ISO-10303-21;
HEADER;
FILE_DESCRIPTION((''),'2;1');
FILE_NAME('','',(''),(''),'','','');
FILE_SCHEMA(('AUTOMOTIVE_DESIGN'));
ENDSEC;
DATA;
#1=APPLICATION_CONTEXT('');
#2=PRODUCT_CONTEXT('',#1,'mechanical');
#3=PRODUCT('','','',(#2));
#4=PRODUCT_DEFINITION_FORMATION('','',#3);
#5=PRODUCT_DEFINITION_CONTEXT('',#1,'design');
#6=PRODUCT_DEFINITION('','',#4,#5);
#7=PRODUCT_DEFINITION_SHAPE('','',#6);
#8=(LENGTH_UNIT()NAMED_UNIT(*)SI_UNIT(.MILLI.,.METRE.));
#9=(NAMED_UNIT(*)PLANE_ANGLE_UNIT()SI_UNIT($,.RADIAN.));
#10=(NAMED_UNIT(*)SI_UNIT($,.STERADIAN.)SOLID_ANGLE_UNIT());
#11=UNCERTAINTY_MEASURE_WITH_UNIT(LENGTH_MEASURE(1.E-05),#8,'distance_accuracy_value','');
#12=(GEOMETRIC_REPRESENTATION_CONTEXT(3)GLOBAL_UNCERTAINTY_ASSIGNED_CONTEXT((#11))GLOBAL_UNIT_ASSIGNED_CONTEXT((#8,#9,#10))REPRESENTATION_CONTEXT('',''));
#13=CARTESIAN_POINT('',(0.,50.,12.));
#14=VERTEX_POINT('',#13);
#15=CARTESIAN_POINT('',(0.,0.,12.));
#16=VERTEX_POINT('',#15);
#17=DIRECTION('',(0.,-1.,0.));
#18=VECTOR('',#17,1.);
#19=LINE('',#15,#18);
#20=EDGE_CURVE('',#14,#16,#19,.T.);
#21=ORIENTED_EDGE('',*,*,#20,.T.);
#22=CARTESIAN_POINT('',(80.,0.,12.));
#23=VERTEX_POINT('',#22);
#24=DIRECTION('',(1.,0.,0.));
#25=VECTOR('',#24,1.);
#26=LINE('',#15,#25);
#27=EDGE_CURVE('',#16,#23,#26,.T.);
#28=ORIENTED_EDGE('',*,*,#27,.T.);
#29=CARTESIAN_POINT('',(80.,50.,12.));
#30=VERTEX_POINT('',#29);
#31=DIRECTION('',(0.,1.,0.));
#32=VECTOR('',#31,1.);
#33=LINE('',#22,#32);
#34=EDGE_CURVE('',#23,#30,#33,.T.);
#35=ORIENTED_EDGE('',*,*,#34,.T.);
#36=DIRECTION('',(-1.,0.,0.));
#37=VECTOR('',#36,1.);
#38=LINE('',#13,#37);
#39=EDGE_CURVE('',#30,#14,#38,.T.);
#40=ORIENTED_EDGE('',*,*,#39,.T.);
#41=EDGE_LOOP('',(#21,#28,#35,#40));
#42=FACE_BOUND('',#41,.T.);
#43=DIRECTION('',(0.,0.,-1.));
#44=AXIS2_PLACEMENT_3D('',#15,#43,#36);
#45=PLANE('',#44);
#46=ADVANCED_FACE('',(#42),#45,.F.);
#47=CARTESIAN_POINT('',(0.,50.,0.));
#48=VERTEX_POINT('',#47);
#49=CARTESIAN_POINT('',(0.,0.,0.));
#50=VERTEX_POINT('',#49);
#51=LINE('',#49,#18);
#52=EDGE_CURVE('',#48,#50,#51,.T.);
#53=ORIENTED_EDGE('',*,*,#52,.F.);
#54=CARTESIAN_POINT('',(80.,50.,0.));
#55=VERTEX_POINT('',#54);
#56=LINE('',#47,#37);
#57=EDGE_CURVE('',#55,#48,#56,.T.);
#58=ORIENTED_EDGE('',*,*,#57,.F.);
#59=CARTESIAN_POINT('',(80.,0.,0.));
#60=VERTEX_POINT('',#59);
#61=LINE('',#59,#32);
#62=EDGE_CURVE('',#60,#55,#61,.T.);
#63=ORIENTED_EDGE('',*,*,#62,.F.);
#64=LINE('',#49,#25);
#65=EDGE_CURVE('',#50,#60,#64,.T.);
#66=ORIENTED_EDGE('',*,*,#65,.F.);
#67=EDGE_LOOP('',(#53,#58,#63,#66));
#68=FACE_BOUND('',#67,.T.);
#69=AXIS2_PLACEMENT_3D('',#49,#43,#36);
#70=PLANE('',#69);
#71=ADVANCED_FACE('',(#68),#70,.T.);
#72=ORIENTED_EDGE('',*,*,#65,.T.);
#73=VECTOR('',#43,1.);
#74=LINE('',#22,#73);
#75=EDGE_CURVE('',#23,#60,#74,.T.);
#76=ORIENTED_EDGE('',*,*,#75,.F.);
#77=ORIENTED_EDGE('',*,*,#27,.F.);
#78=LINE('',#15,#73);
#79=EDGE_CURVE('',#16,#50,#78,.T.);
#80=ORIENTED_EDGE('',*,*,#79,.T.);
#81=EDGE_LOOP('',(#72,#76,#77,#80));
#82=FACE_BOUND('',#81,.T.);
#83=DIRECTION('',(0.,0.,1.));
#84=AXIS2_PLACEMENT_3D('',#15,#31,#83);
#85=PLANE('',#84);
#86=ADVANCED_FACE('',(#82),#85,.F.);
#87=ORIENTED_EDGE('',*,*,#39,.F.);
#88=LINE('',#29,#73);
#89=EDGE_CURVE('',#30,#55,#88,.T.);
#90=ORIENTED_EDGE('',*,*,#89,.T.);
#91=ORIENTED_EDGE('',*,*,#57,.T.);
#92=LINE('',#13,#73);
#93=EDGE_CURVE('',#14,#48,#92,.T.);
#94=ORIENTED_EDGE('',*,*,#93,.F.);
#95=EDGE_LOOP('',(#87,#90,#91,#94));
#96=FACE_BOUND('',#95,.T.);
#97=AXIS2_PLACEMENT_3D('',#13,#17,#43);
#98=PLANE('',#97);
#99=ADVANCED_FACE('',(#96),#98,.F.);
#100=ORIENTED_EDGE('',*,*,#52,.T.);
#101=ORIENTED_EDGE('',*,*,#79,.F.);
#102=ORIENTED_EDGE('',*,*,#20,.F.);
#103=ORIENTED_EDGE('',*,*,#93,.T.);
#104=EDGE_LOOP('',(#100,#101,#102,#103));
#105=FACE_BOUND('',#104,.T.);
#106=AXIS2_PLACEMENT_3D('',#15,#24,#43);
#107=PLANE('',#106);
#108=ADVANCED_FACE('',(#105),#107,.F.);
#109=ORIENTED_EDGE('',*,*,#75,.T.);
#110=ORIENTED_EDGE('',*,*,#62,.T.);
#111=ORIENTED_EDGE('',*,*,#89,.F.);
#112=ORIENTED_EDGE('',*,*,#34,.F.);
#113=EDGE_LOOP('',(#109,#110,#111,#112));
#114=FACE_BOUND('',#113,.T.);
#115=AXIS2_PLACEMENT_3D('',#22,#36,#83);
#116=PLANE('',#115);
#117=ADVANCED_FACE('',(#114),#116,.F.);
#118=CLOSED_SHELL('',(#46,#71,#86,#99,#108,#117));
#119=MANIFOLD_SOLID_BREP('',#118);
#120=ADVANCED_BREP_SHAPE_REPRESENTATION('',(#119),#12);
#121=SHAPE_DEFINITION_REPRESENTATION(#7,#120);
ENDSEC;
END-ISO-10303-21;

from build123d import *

# Parameters (mm, degrees)
SKETCH_1_W      = 80
SKETCH_1_H      = 50
EXTRUDE_1_DEPTH = 12


with BuildPart() as part:
    # 草图1 → 凸台-拉伸1 (new body)
    with BuildSketch(Plane.XY):
        with Locations((40, 25)):
            Rectangle(SKETCH_1_W, SKETCH_1_H)
    extrude(amount=EXTRUDE_1_DEPTH)


solid = part.part
